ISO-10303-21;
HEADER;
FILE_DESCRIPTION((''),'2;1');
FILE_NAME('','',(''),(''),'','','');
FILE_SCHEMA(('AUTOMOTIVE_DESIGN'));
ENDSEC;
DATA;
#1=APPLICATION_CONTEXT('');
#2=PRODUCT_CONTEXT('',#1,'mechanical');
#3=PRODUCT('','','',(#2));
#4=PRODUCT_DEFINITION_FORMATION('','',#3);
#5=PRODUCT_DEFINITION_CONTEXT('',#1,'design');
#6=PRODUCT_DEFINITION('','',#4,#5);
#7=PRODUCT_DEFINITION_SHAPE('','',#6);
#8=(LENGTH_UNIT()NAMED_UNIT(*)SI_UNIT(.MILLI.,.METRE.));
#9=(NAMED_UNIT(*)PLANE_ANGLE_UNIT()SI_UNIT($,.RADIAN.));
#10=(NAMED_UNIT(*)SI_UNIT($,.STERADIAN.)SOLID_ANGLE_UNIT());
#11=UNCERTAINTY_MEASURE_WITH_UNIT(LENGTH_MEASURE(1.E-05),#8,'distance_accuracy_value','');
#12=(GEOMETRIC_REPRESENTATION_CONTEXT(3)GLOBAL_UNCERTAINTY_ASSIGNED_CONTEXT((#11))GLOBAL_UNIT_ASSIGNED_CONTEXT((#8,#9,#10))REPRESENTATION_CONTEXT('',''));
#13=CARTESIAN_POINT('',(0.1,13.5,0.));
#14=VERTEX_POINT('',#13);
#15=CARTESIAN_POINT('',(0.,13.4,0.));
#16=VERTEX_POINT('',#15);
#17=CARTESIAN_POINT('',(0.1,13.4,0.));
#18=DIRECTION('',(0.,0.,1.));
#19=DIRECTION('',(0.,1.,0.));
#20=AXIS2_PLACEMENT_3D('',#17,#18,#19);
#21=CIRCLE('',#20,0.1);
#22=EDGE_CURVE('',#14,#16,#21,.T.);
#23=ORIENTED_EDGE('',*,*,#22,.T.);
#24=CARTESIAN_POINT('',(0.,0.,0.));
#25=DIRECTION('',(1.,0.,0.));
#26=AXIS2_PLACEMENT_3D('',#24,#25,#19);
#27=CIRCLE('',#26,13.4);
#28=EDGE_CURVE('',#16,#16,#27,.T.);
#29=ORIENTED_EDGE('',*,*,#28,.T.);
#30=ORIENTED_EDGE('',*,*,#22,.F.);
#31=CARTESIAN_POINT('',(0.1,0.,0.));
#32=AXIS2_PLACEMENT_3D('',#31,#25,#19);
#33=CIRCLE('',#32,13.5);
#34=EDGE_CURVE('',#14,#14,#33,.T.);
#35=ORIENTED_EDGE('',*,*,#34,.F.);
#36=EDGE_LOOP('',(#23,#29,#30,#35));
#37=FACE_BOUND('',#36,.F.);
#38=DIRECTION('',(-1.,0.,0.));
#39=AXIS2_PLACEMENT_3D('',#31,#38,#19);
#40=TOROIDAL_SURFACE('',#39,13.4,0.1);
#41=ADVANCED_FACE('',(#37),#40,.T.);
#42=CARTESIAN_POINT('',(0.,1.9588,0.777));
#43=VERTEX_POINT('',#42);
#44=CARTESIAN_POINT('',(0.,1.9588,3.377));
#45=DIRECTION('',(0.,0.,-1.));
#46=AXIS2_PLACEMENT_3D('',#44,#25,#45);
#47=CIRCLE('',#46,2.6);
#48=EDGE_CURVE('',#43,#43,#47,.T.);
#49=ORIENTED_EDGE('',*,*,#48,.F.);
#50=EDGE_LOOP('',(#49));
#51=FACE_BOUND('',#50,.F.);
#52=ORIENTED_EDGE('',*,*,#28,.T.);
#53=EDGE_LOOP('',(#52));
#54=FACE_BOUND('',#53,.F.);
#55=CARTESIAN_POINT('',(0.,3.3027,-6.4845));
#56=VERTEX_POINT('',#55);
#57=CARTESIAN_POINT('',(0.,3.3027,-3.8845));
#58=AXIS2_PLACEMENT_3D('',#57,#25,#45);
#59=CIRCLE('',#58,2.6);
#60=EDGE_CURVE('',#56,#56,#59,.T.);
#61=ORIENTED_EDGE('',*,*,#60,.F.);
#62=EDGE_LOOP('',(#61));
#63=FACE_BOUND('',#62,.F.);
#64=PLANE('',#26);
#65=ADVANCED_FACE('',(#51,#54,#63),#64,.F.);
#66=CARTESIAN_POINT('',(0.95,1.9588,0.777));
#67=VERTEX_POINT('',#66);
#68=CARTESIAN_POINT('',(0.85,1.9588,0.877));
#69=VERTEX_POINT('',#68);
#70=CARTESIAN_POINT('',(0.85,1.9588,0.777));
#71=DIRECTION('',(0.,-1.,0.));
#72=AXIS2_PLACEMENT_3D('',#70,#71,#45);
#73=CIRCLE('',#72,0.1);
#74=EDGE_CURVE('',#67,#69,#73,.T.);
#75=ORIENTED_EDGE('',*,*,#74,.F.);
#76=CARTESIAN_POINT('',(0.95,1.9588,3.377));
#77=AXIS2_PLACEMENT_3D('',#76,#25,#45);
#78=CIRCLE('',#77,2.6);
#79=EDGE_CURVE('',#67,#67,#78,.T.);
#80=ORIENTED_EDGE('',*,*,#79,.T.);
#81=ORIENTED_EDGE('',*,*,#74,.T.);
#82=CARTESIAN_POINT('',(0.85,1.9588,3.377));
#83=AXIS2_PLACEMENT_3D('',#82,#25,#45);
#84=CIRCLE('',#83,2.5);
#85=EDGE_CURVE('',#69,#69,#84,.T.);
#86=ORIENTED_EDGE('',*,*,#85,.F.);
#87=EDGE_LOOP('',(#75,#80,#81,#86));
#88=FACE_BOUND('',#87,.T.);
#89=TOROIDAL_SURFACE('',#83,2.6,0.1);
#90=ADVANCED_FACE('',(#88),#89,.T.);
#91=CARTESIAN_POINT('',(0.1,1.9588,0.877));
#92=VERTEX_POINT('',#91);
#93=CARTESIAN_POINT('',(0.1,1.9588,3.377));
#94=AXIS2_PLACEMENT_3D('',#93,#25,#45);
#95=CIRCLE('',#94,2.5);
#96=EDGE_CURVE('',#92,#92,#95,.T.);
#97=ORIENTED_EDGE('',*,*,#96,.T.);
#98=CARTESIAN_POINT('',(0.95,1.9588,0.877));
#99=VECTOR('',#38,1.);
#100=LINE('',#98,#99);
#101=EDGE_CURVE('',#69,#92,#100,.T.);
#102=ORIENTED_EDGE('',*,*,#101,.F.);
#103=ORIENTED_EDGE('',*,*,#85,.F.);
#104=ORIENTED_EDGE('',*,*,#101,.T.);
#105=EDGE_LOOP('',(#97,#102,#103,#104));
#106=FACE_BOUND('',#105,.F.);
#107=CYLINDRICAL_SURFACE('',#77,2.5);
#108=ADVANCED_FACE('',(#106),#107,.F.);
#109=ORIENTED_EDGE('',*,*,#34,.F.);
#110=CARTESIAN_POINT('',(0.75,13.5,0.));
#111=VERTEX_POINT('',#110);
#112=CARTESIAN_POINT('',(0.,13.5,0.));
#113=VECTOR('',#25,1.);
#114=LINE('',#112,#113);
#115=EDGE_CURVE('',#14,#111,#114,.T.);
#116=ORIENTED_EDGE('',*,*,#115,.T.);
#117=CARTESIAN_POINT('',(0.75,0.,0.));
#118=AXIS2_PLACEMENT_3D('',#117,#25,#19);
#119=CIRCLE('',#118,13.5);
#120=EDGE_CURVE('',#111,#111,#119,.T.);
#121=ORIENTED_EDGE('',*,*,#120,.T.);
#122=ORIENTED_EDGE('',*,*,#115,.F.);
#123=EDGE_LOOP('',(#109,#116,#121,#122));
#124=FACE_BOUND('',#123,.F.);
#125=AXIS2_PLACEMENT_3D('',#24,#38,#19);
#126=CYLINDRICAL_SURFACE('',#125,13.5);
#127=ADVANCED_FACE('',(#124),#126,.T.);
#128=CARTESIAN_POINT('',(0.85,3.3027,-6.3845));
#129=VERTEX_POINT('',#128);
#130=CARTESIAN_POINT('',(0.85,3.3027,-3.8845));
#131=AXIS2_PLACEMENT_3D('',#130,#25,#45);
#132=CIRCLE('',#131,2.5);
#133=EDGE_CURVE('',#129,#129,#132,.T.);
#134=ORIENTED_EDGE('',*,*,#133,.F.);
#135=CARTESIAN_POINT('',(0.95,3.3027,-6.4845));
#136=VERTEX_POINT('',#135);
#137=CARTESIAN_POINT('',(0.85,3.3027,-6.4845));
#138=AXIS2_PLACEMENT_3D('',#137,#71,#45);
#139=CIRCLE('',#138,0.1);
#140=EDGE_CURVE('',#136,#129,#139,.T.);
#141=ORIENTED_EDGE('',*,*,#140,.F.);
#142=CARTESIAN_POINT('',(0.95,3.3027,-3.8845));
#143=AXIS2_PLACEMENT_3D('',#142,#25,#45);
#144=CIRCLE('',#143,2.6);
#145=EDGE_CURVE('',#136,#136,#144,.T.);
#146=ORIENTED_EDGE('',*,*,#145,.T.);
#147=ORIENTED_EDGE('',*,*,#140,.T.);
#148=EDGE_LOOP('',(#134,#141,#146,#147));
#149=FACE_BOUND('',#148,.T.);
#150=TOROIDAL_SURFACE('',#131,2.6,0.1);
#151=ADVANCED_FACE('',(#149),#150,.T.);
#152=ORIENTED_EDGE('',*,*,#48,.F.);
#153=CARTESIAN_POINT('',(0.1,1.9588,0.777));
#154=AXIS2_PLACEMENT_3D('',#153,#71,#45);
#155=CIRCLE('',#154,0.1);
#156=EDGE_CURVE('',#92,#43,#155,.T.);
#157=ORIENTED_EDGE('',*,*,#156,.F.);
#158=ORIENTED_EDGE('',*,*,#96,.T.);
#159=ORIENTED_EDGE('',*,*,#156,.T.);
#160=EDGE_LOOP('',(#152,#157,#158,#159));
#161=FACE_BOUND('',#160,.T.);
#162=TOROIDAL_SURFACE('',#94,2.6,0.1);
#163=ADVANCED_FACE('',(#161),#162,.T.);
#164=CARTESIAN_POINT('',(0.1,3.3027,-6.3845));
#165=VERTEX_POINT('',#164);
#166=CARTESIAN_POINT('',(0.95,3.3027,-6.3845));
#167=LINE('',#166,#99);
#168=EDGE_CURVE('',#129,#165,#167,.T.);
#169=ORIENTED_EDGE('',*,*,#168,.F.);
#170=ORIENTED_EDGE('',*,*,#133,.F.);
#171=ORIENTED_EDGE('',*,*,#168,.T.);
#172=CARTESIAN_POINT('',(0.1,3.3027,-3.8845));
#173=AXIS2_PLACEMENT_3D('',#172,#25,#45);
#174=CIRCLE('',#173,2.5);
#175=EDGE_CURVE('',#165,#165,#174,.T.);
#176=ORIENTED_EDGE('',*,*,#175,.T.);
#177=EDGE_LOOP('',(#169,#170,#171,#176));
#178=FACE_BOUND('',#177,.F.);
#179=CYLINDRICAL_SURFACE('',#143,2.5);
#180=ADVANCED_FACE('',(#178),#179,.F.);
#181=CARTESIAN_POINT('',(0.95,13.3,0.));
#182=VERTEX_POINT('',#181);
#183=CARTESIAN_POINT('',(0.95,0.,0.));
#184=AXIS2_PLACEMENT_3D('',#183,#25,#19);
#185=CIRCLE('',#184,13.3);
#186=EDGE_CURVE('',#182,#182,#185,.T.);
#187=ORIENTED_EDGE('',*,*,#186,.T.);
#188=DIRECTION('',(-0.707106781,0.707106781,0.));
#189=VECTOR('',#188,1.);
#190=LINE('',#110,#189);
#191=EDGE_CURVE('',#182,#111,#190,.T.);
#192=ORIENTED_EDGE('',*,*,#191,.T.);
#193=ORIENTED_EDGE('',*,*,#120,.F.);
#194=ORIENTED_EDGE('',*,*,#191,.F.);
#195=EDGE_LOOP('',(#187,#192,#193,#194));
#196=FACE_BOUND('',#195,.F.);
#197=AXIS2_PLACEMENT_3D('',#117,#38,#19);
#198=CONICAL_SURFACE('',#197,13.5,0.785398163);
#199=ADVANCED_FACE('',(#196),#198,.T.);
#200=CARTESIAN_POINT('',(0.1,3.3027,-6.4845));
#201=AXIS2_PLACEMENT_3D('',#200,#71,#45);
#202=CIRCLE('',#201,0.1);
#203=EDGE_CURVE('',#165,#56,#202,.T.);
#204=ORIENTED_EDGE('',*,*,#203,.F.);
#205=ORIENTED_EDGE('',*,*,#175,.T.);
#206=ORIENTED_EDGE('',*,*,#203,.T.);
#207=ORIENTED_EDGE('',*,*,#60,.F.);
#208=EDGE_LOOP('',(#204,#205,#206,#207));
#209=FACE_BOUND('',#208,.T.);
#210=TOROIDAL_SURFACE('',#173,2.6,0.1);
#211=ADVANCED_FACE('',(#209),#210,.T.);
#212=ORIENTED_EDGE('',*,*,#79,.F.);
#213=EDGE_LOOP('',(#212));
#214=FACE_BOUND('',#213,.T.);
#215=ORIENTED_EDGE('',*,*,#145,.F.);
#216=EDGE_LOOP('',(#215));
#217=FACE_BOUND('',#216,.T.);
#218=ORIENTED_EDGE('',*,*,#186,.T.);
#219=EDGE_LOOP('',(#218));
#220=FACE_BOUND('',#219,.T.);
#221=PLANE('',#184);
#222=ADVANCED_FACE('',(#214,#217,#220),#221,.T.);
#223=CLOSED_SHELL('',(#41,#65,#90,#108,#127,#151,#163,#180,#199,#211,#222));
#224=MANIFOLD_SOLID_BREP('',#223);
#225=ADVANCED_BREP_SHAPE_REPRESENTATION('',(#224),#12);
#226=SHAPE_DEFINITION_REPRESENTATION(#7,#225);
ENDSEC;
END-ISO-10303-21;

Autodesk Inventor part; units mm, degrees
ref_plane "YZ Plane" through (0, 0, 0) normal (1, 0, 0) x (0, 1, 0)
ref_plane "XZ Plane" through (0, 0, 0) normal (0, 1, 0) x (-1, 0, 0)
ref_plane "XY Plane" through (0, 0, 0) normal (0, 0, 1) x (1, 0, 0)
sketch "Sketch1" plane through (0, 0, 0) normal (1, 0, 0) x (0, 1, 0)
  circle A0 centre (1.9588, 3.377) radius 2.2698
  circle A1 centre (1.9588, 3.377) radius 2.2698
  line L0 (1.9588, 3.377) -> (1.9588, 0)
  line L1 (1.9588, 0) -> (0, 0)
  line L2 (0, 0) -> (0, 3.377)
  line L3 (0, 3.377) -> (1.9588, 3.377)
  circle A2 centre (3.3027, -3.8845) radius 2.2698
  line L4 (0, 0) -> (0, -3.8845)
  line L5 (0, -3.8845) -> (3.3027, -3.8845)
  line L6 (3.3027, -3.8845) -> (3.3027, 0)
  line L7 (3.3027, 0) -> (0, 0)
  circle A3 centre (0, 0) radius 13.5
  dimension "d0" = 4.5396
  dimension "d1" = 3.377
  dimension "d2" = 1.9588
  dimension "d3" = 3.8845
  dimension "d4" = 3.3026
  dimension "d5" = 4.5396
  dimension "d6" = 27
extrude "Extrusion1" add sketch "Sketch1" along normal blind 0.95 contours A0 L0 L1 L2 | L1 L7 L6 A2 L5 L4 | A3
sketch "Sketch2" plane through (0.95, 0, 0) normal (1, 0, 0) x (0, 0, -1)
  circle A0 centre (-3.377, 1.9588) radius 2.2698 projected
  circle A1 centre (-3.377, 1.9588) radius 2.5
  circle A2 centre (3.8845, 3.3027) radius 2.2698 projected
  circle A3 centre (3.8845, 3.3027) radius 2.5
  point P0 (0, 0)
  dimension "d9" = 5
  dimension "d10" = 5
extrude "Extrusion2" cut sketch "Sketch2" against normal blind 0.95 contours A0 | A1 | A2 | A3
fillet "Fillet1" radius 0.1 5 edges at (0.95, 1.9588, 5.877) (0.95, 3.3027, -1.3845) (0, 3.3027, -1.3845) (0, 1.9588, 5.877) (0, -13.5, 0)
chamfer "Chamfer1" distance 0.2 angle 45 1 edges at (0.95, -13.5, 0)
properties part number "PlateGantryMountSymbolDisc"
